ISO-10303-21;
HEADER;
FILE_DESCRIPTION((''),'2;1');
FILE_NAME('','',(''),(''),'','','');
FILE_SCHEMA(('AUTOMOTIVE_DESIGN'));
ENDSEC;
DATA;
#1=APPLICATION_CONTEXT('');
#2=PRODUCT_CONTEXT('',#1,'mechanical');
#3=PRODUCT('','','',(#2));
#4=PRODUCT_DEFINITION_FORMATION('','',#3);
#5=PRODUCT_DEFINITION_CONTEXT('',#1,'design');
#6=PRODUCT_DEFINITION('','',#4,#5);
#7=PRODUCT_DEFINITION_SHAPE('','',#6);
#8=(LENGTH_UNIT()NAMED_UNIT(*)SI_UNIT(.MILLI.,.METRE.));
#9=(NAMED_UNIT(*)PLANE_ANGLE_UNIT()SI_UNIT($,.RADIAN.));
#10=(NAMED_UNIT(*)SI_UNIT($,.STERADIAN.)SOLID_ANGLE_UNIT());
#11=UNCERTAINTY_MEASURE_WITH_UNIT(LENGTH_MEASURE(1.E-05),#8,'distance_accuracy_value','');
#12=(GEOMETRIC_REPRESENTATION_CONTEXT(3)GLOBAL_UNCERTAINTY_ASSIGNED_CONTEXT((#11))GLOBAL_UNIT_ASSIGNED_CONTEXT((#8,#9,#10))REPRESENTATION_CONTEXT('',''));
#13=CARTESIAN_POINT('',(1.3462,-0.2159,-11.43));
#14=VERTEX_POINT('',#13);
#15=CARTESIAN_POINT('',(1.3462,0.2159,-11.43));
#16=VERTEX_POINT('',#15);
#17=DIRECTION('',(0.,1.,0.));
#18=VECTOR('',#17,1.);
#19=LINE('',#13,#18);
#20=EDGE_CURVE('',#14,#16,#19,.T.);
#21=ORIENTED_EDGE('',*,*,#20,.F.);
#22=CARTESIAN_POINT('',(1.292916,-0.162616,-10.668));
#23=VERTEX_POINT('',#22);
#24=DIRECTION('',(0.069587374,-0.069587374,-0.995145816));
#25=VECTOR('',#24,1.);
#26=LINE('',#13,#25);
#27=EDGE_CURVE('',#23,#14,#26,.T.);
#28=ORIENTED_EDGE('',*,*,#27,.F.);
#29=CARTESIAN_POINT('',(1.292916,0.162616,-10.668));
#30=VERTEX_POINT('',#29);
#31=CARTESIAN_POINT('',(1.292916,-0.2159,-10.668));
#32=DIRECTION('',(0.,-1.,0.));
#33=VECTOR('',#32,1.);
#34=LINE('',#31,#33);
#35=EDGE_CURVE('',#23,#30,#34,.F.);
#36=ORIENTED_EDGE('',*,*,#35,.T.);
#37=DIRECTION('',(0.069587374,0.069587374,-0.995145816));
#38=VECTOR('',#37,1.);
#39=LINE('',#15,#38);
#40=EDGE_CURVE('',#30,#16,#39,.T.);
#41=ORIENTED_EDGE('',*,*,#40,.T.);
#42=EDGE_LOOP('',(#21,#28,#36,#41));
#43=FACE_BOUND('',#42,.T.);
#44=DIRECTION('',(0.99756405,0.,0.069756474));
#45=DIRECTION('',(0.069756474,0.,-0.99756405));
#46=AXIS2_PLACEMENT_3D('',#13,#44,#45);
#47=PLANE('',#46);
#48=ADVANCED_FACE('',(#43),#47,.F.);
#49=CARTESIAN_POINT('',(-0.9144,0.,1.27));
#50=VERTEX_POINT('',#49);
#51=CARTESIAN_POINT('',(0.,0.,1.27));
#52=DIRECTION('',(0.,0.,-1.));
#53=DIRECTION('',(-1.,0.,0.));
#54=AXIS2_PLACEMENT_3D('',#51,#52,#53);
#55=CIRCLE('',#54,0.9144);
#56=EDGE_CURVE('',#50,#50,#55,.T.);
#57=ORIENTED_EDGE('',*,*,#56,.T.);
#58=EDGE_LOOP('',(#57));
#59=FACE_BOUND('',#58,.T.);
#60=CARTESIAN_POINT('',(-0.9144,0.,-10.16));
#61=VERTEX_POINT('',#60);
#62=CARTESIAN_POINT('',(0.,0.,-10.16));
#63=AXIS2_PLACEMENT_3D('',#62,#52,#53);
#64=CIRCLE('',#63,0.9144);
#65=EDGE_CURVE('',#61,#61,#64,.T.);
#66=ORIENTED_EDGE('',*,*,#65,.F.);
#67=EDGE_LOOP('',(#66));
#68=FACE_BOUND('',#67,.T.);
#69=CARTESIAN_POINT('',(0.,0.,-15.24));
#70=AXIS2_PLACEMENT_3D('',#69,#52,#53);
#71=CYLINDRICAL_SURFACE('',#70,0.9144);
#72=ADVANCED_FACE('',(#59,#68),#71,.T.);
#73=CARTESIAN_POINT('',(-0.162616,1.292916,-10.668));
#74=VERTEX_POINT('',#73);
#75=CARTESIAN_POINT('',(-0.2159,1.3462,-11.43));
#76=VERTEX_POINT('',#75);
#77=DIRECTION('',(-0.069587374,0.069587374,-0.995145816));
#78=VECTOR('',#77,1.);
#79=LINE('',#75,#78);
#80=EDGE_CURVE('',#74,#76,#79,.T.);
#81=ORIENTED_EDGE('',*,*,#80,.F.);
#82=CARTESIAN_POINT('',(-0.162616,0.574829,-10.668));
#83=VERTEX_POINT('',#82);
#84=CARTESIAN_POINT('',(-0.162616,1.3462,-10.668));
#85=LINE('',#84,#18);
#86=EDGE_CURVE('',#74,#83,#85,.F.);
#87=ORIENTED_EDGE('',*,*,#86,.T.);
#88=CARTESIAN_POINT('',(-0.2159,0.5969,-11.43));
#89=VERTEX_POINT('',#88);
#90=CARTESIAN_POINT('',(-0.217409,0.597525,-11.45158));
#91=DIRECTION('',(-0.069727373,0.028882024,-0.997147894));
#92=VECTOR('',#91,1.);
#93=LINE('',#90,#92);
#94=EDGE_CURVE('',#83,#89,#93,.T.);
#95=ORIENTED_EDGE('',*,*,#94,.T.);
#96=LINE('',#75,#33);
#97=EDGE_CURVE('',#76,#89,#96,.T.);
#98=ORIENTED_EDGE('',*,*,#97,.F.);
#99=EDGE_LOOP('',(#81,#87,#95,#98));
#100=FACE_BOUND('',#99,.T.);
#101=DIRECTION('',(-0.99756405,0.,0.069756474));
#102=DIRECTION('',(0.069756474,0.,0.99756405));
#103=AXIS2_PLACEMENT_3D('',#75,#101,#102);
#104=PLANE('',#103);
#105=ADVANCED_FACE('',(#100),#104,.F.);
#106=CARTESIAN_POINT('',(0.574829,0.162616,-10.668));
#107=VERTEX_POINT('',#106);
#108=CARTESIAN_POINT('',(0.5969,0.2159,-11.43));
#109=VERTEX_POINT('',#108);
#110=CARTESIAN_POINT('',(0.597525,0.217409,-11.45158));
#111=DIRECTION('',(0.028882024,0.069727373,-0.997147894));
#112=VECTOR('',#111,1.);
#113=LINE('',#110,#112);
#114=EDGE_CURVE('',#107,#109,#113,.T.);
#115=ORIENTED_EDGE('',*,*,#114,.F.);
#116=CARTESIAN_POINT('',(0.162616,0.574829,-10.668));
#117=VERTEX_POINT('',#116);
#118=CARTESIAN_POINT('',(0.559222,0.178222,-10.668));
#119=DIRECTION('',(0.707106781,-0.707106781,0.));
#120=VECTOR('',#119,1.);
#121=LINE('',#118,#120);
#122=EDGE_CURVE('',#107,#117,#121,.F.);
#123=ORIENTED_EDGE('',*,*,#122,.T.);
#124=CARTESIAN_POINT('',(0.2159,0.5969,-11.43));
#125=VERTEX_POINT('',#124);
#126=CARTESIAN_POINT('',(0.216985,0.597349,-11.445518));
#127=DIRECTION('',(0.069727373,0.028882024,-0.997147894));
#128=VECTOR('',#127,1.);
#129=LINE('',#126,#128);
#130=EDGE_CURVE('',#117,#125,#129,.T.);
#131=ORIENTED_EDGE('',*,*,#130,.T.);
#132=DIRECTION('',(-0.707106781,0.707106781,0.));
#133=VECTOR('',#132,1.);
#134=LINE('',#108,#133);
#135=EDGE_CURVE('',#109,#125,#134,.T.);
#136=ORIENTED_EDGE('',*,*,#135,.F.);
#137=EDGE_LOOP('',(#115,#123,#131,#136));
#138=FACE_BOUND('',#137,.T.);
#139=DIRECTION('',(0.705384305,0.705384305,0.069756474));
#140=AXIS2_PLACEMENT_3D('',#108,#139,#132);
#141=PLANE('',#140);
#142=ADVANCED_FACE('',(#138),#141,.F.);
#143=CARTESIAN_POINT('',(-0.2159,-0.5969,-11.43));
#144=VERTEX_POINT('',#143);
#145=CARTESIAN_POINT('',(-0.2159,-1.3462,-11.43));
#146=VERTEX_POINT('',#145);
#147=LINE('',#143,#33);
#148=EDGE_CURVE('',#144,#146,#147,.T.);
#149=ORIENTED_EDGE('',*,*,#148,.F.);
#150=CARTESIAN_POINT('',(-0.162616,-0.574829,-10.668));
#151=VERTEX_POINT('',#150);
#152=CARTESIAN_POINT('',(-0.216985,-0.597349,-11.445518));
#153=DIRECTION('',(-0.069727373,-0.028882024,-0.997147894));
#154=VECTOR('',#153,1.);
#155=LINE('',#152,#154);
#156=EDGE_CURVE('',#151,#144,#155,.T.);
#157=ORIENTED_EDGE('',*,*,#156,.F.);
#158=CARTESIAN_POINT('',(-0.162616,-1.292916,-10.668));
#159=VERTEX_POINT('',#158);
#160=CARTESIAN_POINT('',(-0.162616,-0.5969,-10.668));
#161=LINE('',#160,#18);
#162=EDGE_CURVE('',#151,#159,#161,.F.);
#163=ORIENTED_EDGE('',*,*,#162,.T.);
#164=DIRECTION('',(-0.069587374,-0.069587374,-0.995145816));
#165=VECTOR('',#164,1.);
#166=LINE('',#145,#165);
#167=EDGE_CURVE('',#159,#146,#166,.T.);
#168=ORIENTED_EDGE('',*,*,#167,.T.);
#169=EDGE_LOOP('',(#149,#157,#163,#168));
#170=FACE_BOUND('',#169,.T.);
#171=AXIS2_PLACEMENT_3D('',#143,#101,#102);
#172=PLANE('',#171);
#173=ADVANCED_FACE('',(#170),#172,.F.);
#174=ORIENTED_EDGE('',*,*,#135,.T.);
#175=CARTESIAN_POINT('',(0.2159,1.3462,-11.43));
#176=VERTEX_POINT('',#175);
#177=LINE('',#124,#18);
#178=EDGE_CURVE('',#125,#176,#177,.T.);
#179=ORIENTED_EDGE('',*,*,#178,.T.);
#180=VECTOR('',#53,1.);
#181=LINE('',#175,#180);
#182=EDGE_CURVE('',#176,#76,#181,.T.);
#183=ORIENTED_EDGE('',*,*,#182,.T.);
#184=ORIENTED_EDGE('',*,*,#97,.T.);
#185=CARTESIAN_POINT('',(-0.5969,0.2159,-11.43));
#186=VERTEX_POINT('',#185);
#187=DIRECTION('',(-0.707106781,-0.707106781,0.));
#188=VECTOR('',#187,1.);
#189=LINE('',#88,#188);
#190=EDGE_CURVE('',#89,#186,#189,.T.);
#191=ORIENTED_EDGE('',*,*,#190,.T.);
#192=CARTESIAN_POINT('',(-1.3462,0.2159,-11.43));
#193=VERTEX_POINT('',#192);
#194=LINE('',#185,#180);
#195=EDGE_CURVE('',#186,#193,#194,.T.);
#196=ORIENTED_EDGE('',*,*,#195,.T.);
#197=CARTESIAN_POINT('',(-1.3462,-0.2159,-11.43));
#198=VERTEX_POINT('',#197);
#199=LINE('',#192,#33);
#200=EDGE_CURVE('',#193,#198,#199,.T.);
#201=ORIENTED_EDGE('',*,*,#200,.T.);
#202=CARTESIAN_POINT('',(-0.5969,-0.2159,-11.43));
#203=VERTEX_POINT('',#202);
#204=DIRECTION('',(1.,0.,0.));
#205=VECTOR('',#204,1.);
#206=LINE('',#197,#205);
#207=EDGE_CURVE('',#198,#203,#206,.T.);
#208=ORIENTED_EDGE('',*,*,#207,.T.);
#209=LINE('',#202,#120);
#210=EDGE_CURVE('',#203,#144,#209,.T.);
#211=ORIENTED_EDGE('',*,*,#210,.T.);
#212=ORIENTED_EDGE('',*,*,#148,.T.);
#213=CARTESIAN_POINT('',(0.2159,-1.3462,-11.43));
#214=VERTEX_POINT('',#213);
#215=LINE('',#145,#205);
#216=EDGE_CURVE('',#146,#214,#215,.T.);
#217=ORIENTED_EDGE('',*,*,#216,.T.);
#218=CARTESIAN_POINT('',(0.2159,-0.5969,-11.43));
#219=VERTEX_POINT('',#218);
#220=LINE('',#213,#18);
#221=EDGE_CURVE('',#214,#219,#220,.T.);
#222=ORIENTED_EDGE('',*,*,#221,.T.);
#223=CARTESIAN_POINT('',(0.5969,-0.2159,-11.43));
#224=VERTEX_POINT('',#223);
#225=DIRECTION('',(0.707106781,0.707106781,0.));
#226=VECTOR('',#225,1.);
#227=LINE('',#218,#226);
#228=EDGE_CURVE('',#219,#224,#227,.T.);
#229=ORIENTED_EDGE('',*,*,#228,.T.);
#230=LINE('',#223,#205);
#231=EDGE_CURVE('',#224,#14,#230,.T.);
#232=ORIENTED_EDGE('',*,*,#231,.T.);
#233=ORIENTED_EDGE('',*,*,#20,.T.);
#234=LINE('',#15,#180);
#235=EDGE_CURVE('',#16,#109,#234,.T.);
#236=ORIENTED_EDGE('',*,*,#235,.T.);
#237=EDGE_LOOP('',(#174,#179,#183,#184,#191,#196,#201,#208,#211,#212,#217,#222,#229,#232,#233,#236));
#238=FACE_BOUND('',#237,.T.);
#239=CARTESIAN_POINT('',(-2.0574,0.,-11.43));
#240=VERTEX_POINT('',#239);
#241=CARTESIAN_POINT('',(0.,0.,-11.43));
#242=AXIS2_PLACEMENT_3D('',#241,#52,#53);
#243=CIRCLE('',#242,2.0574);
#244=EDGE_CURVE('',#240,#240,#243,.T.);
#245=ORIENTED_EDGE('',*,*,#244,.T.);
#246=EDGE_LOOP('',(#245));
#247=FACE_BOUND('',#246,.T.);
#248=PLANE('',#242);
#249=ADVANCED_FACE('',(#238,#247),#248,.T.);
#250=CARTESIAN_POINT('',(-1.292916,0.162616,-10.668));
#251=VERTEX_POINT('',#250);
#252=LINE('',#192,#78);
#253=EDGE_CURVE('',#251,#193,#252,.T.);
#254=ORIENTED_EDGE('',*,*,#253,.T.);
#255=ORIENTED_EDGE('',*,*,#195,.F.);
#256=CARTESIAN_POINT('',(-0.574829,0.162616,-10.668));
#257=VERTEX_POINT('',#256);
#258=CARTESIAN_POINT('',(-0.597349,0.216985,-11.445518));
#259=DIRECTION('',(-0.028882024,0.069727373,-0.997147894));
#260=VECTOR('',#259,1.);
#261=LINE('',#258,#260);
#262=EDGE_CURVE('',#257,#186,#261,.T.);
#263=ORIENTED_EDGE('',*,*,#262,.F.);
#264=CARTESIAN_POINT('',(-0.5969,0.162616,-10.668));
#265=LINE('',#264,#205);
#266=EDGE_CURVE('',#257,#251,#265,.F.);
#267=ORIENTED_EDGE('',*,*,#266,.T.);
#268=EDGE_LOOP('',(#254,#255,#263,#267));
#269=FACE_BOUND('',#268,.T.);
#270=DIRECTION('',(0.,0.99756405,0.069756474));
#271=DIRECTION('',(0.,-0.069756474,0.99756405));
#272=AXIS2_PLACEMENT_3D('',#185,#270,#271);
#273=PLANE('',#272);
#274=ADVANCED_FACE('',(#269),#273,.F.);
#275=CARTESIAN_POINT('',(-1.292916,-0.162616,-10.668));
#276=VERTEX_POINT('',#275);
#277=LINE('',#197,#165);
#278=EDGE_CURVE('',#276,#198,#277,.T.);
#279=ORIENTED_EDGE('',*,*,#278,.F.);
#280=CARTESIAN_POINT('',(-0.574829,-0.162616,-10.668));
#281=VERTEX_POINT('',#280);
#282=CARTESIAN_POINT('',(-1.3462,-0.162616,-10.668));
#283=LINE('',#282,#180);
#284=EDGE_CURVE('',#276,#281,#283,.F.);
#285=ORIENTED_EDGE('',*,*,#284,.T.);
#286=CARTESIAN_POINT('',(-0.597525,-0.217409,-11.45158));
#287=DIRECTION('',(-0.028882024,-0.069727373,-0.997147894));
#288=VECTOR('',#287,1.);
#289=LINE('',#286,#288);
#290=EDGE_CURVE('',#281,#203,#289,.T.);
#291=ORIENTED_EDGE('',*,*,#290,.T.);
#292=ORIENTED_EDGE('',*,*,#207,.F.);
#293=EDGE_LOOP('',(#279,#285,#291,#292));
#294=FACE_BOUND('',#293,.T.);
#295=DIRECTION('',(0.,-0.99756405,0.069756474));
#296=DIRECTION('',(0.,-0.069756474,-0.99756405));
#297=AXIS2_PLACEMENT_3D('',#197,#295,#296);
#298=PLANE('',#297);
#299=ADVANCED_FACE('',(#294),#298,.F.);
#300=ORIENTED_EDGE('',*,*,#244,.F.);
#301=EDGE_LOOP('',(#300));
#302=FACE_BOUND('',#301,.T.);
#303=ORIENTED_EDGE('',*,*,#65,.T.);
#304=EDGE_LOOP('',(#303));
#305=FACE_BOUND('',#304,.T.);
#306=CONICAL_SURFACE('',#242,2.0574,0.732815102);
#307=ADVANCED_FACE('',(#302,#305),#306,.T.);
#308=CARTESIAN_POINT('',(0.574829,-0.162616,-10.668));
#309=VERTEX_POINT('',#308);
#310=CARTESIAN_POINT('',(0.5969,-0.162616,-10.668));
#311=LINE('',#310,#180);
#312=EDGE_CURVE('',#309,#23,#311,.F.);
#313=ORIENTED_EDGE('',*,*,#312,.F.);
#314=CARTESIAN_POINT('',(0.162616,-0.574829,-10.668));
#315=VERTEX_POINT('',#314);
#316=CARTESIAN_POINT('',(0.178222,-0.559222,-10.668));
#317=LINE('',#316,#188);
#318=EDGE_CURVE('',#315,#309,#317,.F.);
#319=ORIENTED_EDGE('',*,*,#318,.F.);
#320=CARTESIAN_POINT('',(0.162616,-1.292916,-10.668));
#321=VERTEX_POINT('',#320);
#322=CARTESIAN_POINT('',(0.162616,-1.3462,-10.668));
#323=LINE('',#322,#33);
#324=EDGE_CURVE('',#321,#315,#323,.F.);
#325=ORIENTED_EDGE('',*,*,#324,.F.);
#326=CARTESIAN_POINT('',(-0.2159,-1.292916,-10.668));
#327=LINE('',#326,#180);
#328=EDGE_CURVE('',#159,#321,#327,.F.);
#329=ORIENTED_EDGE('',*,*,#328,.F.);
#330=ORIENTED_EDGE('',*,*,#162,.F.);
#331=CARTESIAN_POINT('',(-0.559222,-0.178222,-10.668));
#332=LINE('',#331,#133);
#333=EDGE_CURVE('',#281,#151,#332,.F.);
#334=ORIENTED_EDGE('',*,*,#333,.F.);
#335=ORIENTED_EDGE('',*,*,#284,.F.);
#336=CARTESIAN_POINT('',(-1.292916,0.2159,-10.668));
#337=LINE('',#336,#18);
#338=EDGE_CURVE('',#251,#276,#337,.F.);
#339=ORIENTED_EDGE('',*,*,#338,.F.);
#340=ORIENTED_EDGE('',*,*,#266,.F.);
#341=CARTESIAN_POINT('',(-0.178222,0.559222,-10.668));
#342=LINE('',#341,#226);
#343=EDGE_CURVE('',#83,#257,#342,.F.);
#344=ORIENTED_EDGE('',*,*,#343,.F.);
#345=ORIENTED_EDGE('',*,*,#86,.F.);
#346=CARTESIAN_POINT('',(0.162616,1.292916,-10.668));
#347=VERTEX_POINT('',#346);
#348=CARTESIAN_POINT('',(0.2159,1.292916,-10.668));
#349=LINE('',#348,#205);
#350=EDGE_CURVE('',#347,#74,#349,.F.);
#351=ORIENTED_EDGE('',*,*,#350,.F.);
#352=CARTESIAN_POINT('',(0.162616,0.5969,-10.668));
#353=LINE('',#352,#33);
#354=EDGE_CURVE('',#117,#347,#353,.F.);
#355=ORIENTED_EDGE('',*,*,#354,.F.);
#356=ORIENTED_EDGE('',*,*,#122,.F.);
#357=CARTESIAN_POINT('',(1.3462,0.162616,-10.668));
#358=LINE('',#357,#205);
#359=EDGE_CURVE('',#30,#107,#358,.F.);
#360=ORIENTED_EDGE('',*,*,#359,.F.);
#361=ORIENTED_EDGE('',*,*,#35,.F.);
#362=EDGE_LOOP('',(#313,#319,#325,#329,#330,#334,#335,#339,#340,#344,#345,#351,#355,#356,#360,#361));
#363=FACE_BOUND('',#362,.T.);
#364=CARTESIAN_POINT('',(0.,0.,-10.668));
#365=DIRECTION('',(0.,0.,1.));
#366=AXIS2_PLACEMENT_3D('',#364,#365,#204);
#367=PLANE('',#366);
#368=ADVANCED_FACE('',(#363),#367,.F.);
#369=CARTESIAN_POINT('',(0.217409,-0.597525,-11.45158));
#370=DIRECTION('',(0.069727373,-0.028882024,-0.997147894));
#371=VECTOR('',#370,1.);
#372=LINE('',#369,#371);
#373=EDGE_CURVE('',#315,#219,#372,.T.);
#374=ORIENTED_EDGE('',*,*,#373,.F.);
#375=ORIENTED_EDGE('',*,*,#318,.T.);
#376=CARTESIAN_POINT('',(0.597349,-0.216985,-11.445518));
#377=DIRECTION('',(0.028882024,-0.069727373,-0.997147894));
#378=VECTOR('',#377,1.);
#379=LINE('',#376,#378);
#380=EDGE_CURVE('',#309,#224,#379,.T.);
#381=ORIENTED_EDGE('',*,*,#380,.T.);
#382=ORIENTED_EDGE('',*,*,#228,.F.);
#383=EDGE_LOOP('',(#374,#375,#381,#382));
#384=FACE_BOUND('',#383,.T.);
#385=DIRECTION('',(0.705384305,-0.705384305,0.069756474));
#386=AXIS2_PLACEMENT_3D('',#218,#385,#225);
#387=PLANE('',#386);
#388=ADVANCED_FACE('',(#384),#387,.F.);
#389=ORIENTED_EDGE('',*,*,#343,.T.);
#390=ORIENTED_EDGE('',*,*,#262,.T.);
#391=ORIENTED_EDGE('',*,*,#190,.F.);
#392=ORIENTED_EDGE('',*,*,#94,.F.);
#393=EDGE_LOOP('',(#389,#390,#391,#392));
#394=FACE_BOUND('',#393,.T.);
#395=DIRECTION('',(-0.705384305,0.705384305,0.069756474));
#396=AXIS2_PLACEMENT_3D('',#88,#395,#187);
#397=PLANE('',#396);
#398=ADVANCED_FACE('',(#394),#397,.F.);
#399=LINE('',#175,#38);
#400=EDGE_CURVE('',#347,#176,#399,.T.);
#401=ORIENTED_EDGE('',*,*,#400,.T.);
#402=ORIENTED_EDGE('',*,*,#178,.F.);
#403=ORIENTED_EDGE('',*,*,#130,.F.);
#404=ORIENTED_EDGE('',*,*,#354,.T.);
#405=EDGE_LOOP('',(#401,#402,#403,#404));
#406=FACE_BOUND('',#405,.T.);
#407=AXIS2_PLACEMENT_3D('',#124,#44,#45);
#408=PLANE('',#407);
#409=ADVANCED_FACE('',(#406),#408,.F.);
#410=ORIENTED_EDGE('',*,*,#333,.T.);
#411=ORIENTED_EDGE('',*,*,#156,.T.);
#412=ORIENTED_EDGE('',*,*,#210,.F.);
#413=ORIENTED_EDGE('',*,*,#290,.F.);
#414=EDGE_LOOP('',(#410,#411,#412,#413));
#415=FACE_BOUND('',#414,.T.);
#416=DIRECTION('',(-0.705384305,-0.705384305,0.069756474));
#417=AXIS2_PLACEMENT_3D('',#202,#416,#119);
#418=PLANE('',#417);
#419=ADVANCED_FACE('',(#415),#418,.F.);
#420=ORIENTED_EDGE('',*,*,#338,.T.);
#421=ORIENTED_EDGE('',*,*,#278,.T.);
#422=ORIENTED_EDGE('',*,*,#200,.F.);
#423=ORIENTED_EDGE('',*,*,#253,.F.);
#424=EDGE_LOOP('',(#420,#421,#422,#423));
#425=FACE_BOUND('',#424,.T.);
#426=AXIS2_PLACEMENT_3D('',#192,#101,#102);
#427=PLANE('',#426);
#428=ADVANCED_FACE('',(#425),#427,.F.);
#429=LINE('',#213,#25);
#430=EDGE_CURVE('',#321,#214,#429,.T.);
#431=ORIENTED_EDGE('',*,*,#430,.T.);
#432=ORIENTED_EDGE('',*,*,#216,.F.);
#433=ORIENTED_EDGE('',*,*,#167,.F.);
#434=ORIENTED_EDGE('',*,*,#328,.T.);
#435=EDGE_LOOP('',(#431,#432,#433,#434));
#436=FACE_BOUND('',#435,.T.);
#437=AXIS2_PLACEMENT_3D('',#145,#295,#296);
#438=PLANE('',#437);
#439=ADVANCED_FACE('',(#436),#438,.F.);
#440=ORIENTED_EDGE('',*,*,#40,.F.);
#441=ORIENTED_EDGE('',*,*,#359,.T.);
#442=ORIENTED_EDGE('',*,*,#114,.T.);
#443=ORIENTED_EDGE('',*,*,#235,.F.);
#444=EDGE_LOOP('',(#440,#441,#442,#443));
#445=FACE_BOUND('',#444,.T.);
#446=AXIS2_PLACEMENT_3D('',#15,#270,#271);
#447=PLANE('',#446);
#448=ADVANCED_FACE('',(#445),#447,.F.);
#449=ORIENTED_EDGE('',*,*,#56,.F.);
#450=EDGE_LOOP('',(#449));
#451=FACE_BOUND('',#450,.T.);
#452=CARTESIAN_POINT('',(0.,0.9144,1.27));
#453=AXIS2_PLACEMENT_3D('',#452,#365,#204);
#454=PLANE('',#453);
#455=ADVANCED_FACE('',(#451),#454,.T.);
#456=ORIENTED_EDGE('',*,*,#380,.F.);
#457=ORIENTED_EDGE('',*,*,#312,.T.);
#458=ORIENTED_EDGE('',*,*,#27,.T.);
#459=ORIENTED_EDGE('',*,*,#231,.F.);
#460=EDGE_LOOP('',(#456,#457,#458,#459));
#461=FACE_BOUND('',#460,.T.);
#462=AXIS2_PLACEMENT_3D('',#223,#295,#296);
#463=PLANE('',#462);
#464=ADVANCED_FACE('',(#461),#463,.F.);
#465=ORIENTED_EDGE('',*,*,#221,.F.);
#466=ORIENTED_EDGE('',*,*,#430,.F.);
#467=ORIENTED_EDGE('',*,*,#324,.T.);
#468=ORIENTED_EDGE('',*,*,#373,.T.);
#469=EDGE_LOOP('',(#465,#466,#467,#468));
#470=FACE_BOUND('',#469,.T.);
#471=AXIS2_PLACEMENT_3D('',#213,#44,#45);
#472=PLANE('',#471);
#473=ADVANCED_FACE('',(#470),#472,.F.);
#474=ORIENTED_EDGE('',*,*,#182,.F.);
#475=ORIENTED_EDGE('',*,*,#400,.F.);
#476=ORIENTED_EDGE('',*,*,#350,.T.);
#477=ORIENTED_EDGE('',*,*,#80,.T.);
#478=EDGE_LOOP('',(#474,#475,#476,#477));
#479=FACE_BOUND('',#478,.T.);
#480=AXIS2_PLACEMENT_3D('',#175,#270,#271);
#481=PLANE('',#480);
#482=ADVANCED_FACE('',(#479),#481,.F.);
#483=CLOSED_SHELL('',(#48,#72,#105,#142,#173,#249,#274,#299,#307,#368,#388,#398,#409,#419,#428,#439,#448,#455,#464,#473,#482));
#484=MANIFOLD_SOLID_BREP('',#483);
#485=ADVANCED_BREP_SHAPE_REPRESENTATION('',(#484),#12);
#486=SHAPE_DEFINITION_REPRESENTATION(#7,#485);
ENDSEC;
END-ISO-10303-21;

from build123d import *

# Parameters (mm, degrees)
H1_CROSSRECESS_4DEG_DEPTH = 0.762
H1_CROSSRECESS_4DEG_DRAFT = 4


with BuildPart() as part:
    # H1_SK_profile → H1_Body (revolve)
    with BuildSketch(Plane(origin=(0, 0, 0), x_dir=(0, 0, -1), z_dir=(1, 0, 0)), mode=Mode.PRIVATE) as h1_body_sk:
        Polygon((11.43, 0), (11.43, 2.0574), (10.16, 0.9144), (-1.27, 0.9144), (-1.27, 0), align=None)
    revolve(h1_body_sk.sketch.rotate(Axis((0, 0, -15.24), (0, 0, 1)), 90), axis=Axis((0, 0, -15.24), (0, 0, 1)))


with BuildPart() as h1_crossrecess_4deg_tool:
    # H1_SK_crossRecess → H1_CrossRecess_4deg (with draft: the straight prism first)
    with BuildSketch(Plane.XY.offset(-11.43)):
        Polygon((1.3462, -0.2159), (1.3462, 0.2159), (0.5969, 0.2159), (0.2159, 0.5969), (0.2159, 1.3462), (-0.2159, 1.3462), (-0.2159, 0.5969), (-0.5969, 0.2159), (-1.3462, 0.2159), (-1.3462, -0.2159), (-0.5969, -0.2159), (-0.2159, -0.5969), (-0.2159, -1.3462), (0.2159, -1.3462), (0.2159, -0.5969), (0.5969, -0.2159), align=None)
    extrude(amount=H1_CROSSRECESS_4DEG_DEPTH)
    # H1_CrossRecess_4deg: the draft: its side faces are tilted about the plane it starts from
    h1_crossrecess_4deg_sides = [h1_crossrecess_4deg_tool.faces().sort_by_distance(p)[0] for p in [
        (1.3462, 0, -11.049),
        (0.97155, 0.2159, -11.049),
        (0.4064, 0.4064, -11.049),
        (0.2159, 0.97155, -11.049),
        (0, 1.3462, -11.049),
        (-0.2159, 0.97155, -11.049),
        (-0.4064, 0.4064, -11.049),
        (-0.97155, 0.2159, -11.049),
        (-1.3462, 0, -11.049),
        (-0.97155, -0.2159, -11.049),
        (-0.4064, -0.4064, -11.049),
        (-0.2159, -0.97155, -11.049),
        (0, -1.3462, -11.049),
        (0.2159, -0.97155, -11.049),
        (0.4064, -0.4064, -11.049),
        (0.97155, -0.2159, -11.049),
    ]]
    draft(h1_crossrecess_4deg_sides, Plane.XY.offset(-11.43), H1_CROSSRECESS_4DEG_DRAFT)


with BuildPart() as part_1:
    add(part.part)

    # H1_CrossRecess_4deg: cut by h1_crossrecess_4deg_tool
    add(h1_crossrecess_4deg_tool.part, mode=Mode.SUBTRACT)


solid = part_1.part
